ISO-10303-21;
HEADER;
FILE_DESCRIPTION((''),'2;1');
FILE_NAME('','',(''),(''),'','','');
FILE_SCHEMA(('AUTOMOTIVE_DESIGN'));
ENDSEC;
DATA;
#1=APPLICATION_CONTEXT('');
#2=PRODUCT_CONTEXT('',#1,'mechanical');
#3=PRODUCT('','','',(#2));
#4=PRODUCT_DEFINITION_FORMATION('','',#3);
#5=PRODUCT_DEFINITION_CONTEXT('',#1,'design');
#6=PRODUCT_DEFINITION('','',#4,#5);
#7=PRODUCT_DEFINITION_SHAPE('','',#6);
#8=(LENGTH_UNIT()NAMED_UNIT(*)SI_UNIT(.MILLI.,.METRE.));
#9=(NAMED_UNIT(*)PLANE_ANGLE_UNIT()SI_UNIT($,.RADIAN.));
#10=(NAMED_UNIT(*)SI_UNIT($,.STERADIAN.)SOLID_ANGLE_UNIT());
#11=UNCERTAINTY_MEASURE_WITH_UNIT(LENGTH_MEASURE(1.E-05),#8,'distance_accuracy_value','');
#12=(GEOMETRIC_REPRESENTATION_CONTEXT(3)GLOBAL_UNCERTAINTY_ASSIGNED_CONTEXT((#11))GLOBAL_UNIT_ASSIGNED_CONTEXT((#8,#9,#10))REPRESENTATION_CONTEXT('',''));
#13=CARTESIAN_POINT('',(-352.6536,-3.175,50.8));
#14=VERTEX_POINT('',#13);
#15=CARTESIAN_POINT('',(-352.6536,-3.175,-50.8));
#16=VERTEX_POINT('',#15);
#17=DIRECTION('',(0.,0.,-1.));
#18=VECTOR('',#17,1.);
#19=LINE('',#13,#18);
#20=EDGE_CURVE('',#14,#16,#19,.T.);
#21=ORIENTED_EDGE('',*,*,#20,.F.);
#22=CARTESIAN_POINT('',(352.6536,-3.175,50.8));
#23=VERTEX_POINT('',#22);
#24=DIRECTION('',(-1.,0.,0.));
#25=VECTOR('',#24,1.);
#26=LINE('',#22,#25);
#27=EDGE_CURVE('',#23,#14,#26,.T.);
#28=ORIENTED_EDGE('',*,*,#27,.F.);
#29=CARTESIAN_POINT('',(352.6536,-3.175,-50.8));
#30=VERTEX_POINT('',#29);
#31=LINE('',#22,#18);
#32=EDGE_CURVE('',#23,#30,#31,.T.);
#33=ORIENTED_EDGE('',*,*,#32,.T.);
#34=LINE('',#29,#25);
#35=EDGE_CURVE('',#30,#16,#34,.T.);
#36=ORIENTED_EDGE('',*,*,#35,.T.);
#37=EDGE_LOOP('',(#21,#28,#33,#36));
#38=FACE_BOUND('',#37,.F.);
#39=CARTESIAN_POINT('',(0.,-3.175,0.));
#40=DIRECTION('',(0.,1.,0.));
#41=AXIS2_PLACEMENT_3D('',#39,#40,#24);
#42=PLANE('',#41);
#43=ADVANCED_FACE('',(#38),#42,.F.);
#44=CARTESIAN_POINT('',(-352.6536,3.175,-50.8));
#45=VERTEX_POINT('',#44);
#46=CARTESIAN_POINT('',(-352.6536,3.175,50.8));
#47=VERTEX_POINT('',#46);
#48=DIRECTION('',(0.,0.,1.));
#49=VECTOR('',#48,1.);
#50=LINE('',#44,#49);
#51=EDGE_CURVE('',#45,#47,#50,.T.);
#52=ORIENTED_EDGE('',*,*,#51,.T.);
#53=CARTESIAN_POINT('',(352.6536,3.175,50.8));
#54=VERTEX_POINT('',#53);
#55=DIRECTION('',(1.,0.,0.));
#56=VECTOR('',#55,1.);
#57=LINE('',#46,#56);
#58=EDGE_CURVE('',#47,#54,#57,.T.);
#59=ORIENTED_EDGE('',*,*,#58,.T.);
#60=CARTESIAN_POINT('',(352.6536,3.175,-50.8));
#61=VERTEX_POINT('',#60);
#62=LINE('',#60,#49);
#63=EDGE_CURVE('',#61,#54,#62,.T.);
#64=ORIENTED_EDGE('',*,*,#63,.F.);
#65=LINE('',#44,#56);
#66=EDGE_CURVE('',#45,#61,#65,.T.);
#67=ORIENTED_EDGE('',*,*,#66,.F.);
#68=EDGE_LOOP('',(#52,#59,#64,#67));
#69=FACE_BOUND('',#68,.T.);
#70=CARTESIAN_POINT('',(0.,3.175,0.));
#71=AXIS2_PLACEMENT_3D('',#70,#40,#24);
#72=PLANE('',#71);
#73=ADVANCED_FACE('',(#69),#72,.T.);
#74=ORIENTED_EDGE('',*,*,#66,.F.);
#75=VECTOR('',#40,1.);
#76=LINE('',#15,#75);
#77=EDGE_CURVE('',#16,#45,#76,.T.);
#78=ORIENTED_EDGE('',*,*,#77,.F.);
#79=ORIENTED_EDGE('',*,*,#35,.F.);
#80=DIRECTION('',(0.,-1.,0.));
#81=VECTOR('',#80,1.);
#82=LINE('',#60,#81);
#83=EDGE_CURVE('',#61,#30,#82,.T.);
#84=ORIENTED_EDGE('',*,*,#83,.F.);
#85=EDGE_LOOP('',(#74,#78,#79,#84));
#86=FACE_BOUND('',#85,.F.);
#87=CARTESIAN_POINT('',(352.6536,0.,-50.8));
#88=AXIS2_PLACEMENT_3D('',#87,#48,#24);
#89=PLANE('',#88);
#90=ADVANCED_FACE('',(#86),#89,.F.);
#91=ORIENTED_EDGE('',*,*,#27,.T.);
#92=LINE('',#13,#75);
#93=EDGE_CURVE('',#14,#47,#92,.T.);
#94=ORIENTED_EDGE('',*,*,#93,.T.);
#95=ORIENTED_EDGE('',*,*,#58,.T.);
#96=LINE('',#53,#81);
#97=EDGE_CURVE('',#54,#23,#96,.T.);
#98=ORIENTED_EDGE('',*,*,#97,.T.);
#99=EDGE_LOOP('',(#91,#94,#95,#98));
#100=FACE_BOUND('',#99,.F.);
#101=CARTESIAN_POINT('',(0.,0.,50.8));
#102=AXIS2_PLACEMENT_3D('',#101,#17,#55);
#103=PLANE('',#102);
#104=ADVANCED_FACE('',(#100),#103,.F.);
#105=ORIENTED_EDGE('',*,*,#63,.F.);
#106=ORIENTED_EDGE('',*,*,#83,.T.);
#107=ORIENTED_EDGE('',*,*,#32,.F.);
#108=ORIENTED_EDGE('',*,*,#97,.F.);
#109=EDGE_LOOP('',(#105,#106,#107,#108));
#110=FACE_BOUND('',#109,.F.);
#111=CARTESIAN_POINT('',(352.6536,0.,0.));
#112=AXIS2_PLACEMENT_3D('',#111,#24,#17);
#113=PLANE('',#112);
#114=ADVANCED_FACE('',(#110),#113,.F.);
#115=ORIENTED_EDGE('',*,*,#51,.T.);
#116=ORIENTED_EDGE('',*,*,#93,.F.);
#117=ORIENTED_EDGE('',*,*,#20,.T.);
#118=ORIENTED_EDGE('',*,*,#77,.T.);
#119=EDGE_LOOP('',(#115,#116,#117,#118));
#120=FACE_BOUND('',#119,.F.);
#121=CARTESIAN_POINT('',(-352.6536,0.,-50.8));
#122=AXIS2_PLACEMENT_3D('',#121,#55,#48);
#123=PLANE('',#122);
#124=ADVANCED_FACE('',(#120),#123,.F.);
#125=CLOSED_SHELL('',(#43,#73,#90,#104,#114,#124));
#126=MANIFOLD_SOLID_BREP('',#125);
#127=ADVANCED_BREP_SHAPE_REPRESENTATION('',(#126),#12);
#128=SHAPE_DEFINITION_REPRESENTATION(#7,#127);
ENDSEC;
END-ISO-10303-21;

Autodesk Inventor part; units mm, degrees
ref_plane "YZ Plane" through (0, 0, 0) normal (1, 0, 0) x (0, 1, 0)
ref_plane "XZ Plane" through (0, 0, 0) normal (0, 1, 0) x (-1, 0, 0)
ref_plane "XY Plane" through (0, 0, 0) normal (0, 0, 1) x (1, 0, 0)
sketch "Sketch1" plane through (0, 0, 0) normal (0, 1, 0) x (-1, 0, 0)
  line L0 (0, -71.12) -> (0, 71.12) projected
  line L1 (-493.715, 0) -> (493.715, 0) projected
  line L2 (493.715, 0) -> (-493.715, 0) projected
  line L3 (0, -71.12) -> (0, 71.12) projected
  line L4 (352.6536, 50.8) -> (-352.6536, 50.8)
  line L5 (-352.6536, 50.8) -> (-352.6536, -50.8)
  line L6 (-352.6536, -50.8) -> (352.6536, -50.8)
  line L7 (352.6536, -50.8) -> (352.6536, 50.8)
  line L8 (352.6536, 50.8) -> (-352.6536, -50.8) construction
  line L9 (-352.6536, 50.8) -> (352.6536, -50.8) construction
  point P0 (0, 0)
  dimension "d0" = 705.3072
  dimension "d1" = 101.6
extrude "Extrusion1" add sketch "Sketch1" along normal mid plane 6.35
properties part number "NLMFLNRMFR"
